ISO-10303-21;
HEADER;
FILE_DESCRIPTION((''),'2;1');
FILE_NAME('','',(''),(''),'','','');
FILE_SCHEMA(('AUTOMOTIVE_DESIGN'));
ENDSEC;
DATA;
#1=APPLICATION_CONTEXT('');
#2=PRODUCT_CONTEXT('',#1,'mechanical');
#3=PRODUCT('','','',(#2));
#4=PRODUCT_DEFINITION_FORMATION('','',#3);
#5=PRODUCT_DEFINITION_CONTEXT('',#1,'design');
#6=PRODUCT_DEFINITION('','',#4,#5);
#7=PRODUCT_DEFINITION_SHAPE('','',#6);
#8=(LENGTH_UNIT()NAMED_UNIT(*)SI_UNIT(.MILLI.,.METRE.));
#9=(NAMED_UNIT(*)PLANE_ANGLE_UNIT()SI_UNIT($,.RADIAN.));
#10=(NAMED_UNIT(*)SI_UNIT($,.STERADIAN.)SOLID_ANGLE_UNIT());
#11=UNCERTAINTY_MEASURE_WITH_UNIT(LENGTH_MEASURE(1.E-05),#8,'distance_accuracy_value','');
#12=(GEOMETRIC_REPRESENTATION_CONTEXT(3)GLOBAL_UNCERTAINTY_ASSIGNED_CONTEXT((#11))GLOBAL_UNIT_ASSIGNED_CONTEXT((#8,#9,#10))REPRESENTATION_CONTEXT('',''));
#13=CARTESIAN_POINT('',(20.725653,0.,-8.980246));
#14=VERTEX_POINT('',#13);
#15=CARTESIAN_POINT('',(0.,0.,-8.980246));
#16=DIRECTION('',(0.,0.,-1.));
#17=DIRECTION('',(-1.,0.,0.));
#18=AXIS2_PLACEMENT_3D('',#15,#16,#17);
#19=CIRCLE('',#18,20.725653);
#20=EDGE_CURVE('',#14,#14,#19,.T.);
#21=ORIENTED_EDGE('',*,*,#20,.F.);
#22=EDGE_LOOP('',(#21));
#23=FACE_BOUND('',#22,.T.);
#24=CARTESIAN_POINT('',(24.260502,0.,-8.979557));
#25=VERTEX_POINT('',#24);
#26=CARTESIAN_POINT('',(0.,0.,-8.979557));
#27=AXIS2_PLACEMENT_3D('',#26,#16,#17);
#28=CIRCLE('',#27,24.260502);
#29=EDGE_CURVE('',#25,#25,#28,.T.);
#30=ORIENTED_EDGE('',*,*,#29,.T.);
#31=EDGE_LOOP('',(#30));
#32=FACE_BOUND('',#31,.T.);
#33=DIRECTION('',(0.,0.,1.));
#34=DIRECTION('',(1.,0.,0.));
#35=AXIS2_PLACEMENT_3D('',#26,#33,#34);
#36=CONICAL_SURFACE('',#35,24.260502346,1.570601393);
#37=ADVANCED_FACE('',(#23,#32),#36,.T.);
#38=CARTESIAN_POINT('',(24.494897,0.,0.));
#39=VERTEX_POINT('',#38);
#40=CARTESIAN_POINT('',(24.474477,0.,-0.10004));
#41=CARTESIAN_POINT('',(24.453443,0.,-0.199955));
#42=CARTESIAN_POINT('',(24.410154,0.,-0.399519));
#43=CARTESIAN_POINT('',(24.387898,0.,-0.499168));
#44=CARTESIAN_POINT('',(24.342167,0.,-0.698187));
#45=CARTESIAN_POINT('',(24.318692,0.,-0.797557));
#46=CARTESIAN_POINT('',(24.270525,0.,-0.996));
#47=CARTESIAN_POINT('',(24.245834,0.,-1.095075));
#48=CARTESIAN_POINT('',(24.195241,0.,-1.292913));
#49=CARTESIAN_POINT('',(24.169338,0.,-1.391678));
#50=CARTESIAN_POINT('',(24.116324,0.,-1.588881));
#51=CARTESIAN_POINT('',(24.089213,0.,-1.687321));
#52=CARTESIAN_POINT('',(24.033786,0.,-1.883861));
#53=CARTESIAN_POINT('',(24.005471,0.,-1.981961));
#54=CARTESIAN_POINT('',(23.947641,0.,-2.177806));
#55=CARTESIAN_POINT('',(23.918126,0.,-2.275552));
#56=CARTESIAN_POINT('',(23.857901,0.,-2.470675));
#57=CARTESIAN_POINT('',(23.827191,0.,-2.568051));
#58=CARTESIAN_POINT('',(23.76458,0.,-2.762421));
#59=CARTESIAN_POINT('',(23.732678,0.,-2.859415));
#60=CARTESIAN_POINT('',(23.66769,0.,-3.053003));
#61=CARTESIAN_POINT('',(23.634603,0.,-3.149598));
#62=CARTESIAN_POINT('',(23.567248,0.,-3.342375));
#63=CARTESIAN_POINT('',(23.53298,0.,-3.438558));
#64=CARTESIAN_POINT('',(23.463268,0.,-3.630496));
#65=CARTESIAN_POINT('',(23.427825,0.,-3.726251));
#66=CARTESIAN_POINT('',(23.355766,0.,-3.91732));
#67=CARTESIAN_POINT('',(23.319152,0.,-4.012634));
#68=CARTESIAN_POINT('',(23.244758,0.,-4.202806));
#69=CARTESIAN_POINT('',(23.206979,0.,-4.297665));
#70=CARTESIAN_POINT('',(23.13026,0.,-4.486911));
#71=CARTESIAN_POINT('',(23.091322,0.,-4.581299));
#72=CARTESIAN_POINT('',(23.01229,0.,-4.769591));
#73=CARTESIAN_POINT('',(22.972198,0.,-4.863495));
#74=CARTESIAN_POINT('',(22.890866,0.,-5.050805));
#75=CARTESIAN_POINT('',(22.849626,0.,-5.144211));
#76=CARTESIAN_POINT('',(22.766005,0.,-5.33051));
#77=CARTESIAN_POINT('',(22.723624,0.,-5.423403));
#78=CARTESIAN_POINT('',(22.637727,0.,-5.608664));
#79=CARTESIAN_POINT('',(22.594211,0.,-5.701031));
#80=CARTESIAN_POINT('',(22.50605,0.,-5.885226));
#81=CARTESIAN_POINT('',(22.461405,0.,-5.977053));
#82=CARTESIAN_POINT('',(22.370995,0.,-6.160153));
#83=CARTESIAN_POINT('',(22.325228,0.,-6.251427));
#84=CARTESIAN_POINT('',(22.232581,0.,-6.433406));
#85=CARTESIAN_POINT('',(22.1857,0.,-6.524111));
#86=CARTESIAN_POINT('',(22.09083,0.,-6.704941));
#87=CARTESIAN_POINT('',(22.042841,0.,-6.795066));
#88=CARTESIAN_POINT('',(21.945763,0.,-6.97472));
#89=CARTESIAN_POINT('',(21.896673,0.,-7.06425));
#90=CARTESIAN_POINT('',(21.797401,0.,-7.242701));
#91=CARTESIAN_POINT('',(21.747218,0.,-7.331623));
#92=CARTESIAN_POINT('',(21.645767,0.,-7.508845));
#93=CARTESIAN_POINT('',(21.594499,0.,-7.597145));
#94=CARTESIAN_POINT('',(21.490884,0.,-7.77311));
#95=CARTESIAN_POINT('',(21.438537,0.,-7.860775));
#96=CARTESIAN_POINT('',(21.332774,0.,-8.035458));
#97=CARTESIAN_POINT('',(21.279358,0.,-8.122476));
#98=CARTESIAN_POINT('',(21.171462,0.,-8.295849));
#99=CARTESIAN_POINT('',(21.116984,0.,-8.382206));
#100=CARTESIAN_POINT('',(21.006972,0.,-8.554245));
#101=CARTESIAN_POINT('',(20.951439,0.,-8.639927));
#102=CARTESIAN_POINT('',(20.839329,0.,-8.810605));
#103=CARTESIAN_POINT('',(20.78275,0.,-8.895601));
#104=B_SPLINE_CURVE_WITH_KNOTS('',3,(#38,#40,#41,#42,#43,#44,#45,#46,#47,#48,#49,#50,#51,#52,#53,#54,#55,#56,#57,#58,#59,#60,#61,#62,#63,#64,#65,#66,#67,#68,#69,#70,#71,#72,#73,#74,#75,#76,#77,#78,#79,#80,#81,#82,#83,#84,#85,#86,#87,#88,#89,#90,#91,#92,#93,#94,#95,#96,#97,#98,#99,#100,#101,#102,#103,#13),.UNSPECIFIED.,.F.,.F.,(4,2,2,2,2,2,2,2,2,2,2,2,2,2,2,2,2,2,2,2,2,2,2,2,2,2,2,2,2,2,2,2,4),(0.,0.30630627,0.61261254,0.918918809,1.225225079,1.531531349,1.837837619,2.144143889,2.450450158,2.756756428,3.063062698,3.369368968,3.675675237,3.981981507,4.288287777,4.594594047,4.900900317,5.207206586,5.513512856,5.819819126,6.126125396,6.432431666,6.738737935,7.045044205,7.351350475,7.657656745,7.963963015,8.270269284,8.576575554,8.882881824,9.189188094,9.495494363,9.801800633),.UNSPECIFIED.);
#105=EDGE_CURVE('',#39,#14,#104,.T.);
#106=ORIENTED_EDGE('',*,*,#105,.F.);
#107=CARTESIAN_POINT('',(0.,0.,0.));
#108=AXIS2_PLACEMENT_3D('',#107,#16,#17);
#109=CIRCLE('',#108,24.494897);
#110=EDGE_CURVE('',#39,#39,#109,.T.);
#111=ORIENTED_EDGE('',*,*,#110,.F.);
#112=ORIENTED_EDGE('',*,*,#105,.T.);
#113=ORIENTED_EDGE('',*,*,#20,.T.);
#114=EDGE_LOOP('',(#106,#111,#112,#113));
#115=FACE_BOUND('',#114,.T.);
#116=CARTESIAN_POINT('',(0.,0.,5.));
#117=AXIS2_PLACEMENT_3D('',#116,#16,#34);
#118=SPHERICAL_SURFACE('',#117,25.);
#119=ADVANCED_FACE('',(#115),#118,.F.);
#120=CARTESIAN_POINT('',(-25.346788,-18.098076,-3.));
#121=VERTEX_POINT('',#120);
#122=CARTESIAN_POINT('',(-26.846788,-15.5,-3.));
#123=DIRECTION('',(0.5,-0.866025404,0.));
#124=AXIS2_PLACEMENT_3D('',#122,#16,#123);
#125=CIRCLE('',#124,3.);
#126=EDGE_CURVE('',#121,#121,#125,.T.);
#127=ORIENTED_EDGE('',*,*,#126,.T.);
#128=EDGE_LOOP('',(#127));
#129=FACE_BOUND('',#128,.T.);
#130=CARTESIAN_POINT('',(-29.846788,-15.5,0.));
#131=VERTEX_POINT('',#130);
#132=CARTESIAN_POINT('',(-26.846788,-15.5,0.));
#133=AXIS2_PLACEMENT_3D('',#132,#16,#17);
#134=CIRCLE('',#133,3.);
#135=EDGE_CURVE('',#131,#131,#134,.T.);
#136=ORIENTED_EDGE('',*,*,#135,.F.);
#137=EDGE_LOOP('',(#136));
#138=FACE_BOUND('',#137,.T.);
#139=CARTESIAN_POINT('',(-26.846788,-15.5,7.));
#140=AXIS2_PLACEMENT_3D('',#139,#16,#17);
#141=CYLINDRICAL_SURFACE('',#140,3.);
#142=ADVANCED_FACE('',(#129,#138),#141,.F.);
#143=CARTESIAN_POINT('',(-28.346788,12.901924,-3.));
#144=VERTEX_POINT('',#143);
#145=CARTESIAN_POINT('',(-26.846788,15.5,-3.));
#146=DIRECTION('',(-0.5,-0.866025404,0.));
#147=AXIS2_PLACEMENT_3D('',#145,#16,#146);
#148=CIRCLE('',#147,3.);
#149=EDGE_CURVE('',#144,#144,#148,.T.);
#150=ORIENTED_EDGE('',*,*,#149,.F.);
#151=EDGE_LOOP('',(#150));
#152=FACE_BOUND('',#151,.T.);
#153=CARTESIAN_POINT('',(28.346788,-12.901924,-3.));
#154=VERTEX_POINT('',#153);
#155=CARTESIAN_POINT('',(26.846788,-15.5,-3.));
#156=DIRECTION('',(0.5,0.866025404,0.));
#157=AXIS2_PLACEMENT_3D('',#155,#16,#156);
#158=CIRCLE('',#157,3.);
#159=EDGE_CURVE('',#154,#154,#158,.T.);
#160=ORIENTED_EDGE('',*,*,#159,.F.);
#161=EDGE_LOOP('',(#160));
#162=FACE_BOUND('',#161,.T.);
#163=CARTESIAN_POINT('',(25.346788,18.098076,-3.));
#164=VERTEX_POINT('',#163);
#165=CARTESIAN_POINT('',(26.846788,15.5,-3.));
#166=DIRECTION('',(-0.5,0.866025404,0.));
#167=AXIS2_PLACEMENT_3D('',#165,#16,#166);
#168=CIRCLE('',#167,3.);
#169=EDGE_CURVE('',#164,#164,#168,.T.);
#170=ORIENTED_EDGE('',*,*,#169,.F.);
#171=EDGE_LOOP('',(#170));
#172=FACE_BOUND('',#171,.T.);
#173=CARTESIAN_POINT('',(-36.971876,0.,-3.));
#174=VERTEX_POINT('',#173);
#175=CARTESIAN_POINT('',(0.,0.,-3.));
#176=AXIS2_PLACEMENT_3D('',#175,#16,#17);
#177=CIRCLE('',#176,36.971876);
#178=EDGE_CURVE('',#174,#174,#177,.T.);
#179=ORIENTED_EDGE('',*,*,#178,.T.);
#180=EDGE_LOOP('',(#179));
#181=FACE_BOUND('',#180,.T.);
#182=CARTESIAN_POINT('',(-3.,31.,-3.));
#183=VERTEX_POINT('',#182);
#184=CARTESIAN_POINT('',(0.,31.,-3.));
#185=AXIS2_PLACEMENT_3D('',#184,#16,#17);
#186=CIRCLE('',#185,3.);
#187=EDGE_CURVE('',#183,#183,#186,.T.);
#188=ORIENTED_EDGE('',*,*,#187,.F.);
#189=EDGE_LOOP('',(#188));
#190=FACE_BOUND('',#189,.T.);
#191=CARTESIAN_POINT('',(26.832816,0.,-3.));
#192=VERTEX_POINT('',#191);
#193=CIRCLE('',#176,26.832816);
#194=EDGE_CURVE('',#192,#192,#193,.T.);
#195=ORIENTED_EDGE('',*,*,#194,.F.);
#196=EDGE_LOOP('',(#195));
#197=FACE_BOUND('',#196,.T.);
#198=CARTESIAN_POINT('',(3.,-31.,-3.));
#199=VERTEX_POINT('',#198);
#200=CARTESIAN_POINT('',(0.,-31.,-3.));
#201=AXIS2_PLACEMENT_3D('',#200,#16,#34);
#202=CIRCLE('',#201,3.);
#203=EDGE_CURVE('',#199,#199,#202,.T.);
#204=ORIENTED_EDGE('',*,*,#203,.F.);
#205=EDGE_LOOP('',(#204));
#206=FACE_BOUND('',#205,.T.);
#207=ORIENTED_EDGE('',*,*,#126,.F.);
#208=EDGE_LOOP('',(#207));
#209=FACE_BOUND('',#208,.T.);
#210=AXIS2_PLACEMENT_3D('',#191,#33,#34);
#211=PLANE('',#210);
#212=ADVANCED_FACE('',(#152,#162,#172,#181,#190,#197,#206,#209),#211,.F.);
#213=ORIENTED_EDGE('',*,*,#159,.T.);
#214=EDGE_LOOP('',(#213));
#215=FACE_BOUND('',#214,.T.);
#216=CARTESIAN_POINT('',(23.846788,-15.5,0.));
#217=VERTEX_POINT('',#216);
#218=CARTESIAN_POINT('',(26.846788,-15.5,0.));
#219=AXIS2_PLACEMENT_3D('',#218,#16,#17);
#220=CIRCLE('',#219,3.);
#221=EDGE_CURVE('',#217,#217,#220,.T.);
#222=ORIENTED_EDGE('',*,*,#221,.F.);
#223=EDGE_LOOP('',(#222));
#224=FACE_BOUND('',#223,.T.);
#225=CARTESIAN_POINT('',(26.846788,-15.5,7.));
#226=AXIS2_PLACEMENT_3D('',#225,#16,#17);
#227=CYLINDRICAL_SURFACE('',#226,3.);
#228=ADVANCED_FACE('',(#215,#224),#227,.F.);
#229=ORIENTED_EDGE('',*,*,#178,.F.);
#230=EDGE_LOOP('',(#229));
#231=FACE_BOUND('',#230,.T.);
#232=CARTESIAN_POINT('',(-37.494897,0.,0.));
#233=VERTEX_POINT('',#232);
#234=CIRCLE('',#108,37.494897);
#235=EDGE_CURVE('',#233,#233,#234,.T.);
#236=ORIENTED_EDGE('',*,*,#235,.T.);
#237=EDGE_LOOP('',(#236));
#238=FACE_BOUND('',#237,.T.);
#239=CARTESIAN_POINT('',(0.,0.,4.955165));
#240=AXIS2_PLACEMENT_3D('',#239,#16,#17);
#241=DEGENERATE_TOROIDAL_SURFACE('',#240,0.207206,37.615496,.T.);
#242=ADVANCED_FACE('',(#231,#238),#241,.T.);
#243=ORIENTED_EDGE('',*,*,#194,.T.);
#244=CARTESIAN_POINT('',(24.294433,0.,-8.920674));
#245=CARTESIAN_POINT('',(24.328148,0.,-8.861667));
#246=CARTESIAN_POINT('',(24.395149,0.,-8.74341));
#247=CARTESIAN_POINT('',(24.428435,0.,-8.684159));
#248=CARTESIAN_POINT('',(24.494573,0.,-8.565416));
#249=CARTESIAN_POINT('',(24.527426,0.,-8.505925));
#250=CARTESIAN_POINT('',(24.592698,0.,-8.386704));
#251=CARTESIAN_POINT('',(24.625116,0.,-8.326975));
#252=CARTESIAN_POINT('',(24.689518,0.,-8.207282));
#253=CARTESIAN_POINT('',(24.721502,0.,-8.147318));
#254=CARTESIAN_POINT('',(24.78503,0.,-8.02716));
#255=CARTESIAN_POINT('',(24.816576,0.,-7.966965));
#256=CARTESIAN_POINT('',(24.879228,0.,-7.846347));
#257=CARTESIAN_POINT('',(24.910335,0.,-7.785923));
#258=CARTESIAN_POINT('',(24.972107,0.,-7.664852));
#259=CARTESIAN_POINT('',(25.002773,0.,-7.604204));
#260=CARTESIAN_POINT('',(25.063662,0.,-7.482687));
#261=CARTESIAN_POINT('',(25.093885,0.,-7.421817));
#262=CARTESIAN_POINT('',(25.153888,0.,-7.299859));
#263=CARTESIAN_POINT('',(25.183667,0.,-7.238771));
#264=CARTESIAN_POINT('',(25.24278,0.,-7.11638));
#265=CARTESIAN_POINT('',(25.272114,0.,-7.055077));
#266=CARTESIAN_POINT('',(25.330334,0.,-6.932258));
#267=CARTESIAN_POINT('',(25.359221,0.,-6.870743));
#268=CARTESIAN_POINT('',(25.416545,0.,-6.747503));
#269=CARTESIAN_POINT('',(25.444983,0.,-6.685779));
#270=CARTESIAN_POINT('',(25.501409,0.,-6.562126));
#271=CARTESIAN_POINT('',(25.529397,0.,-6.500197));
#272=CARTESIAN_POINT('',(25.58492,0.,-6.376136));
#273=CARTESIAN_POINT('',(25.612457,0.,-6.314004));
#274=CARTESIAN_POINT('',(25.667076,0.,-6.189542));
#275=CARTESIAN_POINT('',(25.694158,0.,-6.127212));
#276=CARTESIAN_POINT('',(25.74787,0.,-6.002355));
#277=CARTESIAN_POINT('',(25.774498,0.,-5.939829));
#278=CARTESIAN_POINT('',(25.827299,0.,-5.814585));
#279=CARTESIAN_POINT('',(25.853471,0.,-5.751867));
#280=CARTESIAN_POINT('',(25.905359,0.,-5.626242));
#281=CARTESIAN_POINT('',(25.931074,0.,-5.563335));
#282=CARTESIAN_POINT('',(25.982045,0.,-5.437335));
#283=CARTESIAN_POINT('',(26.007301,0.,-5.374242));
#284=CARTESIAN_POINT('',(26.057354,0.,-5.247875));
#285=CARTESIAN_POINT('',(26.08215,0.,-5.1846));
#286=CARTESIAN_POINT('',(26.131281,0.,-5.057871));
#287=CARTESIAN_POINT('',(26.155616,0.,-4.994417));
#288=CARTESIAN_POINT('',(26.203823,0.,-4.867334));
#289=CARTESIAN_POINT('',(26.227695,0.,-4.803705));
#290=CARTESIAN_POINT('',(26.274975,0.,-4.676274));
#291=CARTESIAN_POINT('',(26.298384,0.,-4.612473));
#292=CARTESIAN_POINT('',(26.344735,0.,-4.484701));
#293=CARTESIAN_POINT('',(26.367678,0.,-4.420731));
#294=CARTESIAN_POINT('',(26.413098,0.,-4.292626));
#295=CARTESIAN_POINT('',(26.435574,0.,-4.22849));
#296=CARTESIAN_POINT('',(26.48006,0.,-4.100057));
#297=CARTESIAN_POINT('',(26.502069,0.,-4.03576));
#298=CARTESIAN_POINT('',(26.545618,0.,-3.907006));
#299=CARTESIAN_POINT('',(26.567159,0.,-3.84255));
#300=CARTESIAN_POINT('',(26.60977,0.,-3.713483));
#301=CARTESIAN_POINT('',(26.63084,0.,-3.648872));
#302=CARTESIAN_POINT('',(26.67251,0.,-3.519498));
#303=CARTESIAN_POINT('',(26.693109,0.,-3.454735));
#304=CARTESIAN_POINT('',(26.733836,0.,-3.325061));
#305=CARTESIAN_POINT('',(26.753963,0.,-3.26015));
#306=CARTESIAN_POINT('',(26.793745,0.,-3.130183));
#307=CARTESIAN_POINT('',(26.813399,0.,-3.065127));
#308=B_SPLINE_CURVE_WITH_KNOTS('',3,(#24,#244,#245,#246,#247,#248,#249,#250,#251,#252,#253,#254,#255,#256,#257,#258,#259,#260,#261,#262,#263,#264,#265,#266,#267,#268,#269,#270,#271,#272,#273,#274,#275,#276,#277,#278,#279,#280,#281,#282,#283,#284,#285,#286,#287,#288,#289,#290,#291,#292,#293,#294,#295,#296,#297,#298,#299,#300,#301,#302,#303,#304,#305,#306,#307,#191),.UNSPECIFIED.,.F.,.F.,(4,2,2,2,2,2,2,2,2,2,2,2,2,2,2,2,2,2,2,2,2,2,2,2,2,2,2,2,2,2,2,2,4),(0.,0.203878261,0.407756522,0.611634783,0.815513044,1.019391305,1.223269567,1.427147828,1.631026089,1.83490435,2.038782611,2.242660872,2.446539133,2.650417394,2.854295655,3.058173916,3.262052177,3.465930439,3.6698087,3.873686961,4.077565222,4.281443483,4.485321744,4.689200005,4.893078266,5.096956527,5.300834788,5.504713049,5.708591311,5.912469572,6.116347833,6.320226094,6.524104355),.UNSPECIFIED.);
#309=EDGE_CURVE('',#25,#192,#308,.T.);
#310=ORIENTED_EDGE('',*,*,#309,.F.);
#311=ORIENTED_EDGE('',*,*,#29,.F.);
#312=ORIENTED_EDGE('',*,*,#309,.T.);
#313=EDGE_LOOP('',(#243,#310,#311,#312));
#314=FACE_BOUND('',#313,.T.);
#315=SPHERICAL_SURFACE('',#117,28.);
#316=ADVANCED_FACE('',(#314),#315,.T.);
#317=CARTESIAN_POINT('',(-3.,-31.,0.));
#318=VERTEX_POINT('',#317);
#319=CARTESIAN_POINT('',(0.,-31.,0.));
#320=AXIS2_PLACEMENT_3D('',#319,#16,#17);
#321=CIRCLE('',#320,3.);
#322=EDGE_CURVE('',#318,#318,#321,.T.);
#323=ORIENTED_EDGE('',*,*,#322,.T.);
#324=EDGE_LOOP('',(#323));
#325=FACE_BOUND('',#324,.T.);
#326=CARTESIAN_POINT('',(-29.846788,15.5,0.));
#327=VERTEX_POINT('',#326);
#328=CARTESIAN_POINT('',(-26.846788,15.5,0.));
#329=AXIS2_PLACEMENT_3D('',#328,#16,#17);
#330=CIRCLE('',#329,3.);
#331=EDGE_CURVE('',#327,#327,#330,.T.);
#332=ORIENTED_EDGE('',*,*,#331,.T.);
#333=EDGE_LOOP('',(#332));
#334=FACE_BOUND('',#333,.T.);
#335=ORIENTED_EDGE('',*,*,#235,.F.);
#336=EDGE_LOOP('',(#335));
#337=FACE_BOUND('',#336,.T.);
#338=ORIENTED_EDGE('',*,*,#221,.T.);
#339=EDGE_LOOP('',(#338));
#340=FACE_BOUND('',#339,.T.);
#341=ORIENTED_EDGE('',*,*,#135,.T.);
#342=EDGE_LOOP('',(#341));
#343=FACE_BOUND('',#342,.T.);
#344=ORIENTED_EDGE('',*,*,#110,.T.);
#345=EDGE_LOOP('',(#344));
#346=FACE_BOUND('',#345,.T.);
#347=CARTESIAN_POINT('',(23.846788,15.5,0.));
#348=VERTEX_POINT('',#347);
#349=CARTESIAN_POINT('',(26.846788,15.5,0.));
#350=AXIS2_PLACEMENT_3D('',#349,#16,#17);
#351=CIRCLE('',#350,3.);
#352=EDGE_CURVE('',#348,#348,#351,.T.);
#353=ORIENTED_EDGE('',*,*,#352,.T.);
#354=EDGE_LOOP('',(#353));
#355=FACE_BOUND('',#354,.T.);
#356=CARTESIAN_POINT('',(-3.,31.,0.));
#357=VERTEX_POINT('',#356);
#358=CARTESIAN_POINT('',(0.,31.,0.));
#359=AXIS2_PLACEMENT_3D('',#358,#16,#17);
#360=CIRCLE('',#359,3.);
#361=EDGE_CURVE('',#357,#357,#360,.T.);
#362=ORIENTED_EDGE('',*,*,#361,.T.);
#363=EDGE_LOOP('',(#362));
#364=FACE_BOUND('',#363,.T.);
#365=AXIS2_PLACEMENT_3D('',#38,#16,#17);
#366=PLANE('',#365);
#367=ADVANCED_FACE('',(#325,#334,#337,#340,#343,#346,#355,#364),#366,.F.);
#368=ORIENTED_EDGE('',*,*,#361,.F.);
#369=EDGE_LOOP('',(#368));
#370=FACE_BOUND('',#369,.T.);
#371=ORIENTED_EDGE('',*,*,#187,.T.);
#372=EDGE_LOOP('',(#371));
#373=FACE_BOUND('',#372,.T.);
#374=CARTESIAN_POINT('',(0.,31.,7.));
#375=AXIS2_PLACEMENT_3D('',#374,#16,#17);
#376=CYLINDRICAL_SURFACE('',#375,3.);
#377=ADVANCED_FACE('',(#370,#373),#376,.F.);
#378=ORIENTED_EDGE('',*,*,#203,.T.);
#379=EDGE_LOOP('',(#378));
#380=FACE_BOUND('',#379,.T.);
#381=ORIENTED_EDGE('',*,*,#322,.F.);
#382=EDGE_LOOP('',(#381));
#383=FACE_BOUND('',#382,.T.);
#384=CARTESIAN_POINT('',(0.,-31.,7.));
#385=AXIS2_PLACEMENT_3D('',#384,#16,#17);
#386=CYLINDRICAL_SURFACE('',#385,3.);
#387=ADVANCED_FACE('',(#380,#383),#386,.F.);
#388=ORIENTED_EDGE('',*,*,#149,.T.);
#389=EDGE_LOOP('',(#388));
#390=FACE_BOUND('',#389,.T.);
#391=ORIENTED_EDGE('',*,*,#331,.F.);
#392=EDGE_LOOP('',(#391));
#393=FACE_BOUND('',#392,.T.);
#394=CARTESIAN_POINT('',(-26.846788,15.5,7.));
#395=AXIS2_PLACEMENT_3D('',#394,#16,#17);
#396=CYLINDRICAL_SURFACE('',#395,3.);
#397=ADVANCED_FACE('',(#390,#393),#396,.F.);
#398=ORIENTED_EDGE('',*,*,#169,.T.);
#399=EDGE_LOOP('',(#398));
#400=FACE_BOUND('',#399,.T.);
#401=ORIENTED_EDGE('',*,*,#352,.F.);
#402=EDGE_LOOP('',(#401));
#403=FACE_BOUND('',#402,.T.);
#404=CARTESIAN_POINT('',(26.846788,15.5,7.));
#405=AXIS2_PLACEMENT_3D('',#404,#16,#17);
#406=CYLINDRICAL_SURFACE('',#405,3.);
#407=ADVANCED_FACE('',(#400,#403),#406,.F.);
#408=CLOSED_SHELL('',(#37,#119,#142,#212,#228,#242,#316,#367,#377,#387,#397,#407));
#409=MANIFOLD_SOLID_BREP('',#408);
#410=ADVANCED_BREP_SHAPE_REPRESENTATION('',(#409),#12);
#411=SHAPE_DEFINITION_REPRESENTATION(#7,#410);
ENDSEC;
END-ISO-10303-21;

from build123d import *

# Parameters (mm, degrees)
SKETCH8_R          = 3
CUT_EXTRUDE3_DEPTH = 10
CIRPATTERN2_COUNT  = 6


with BuildPart() as part:
    # Sketch1 → Revolve1 (revolve)
    with BuildSketch(Plane(origin=(0, 0, 0), x_dir=(1, 0, 0), z_dir=(0, 1, 0))):
        with BuildLine():
            Line((24.494897428, 0), (37.494897428, 0))
            ThreePointArc((37.494897428, 0), (37.263758056, 1.505294975), (36.971875785, 3))
            Line((36.971875785, 3), (26.83281573, 3))
            ThreePointArc((26.83281573, 3), (25.72101407, 6.06478356), (24.260502346, 8.979557429))
            Line((24.260502346, 8.979557429), (20.725653382, 8.980246488))
            ThreePointArc((20.725653382, 8.980246488), (23.051806017, 4.675445176), (24.494897428, 0))
        make_face()
    revolve(axis=Axis((0, 0, -42.340685112), (0, 0, 1)))

    # Sketch8 → Cut-Extrude3 (cut)
    with BuildSketch(Plane(origin=(0, 0, -3), x_dir=(-1, 0, 0), z_dir=(0, 0, -1))):
        with Locations((0, 31)):
            Circle(SKETCH8_R)
    cut_extrude3 = extrude(amount=-CUT_EXTRUDE3_DEPTH, mode=Mode.SUBTRACT)

    # CirPattern2: Cut-Extrude3 ×6 about axis
    cirpattern2_axis = Axis((0, 0, 0), (0, 0, 1))
    for i in range(1, CIRPATTERN2_COUNT):
        add(cut_extrude3.rotate(cirpattern2_axis, i * 360 / CIRPATTERN2_COUNT), mode=Mode.SUBTRACT)


solid = part.part
